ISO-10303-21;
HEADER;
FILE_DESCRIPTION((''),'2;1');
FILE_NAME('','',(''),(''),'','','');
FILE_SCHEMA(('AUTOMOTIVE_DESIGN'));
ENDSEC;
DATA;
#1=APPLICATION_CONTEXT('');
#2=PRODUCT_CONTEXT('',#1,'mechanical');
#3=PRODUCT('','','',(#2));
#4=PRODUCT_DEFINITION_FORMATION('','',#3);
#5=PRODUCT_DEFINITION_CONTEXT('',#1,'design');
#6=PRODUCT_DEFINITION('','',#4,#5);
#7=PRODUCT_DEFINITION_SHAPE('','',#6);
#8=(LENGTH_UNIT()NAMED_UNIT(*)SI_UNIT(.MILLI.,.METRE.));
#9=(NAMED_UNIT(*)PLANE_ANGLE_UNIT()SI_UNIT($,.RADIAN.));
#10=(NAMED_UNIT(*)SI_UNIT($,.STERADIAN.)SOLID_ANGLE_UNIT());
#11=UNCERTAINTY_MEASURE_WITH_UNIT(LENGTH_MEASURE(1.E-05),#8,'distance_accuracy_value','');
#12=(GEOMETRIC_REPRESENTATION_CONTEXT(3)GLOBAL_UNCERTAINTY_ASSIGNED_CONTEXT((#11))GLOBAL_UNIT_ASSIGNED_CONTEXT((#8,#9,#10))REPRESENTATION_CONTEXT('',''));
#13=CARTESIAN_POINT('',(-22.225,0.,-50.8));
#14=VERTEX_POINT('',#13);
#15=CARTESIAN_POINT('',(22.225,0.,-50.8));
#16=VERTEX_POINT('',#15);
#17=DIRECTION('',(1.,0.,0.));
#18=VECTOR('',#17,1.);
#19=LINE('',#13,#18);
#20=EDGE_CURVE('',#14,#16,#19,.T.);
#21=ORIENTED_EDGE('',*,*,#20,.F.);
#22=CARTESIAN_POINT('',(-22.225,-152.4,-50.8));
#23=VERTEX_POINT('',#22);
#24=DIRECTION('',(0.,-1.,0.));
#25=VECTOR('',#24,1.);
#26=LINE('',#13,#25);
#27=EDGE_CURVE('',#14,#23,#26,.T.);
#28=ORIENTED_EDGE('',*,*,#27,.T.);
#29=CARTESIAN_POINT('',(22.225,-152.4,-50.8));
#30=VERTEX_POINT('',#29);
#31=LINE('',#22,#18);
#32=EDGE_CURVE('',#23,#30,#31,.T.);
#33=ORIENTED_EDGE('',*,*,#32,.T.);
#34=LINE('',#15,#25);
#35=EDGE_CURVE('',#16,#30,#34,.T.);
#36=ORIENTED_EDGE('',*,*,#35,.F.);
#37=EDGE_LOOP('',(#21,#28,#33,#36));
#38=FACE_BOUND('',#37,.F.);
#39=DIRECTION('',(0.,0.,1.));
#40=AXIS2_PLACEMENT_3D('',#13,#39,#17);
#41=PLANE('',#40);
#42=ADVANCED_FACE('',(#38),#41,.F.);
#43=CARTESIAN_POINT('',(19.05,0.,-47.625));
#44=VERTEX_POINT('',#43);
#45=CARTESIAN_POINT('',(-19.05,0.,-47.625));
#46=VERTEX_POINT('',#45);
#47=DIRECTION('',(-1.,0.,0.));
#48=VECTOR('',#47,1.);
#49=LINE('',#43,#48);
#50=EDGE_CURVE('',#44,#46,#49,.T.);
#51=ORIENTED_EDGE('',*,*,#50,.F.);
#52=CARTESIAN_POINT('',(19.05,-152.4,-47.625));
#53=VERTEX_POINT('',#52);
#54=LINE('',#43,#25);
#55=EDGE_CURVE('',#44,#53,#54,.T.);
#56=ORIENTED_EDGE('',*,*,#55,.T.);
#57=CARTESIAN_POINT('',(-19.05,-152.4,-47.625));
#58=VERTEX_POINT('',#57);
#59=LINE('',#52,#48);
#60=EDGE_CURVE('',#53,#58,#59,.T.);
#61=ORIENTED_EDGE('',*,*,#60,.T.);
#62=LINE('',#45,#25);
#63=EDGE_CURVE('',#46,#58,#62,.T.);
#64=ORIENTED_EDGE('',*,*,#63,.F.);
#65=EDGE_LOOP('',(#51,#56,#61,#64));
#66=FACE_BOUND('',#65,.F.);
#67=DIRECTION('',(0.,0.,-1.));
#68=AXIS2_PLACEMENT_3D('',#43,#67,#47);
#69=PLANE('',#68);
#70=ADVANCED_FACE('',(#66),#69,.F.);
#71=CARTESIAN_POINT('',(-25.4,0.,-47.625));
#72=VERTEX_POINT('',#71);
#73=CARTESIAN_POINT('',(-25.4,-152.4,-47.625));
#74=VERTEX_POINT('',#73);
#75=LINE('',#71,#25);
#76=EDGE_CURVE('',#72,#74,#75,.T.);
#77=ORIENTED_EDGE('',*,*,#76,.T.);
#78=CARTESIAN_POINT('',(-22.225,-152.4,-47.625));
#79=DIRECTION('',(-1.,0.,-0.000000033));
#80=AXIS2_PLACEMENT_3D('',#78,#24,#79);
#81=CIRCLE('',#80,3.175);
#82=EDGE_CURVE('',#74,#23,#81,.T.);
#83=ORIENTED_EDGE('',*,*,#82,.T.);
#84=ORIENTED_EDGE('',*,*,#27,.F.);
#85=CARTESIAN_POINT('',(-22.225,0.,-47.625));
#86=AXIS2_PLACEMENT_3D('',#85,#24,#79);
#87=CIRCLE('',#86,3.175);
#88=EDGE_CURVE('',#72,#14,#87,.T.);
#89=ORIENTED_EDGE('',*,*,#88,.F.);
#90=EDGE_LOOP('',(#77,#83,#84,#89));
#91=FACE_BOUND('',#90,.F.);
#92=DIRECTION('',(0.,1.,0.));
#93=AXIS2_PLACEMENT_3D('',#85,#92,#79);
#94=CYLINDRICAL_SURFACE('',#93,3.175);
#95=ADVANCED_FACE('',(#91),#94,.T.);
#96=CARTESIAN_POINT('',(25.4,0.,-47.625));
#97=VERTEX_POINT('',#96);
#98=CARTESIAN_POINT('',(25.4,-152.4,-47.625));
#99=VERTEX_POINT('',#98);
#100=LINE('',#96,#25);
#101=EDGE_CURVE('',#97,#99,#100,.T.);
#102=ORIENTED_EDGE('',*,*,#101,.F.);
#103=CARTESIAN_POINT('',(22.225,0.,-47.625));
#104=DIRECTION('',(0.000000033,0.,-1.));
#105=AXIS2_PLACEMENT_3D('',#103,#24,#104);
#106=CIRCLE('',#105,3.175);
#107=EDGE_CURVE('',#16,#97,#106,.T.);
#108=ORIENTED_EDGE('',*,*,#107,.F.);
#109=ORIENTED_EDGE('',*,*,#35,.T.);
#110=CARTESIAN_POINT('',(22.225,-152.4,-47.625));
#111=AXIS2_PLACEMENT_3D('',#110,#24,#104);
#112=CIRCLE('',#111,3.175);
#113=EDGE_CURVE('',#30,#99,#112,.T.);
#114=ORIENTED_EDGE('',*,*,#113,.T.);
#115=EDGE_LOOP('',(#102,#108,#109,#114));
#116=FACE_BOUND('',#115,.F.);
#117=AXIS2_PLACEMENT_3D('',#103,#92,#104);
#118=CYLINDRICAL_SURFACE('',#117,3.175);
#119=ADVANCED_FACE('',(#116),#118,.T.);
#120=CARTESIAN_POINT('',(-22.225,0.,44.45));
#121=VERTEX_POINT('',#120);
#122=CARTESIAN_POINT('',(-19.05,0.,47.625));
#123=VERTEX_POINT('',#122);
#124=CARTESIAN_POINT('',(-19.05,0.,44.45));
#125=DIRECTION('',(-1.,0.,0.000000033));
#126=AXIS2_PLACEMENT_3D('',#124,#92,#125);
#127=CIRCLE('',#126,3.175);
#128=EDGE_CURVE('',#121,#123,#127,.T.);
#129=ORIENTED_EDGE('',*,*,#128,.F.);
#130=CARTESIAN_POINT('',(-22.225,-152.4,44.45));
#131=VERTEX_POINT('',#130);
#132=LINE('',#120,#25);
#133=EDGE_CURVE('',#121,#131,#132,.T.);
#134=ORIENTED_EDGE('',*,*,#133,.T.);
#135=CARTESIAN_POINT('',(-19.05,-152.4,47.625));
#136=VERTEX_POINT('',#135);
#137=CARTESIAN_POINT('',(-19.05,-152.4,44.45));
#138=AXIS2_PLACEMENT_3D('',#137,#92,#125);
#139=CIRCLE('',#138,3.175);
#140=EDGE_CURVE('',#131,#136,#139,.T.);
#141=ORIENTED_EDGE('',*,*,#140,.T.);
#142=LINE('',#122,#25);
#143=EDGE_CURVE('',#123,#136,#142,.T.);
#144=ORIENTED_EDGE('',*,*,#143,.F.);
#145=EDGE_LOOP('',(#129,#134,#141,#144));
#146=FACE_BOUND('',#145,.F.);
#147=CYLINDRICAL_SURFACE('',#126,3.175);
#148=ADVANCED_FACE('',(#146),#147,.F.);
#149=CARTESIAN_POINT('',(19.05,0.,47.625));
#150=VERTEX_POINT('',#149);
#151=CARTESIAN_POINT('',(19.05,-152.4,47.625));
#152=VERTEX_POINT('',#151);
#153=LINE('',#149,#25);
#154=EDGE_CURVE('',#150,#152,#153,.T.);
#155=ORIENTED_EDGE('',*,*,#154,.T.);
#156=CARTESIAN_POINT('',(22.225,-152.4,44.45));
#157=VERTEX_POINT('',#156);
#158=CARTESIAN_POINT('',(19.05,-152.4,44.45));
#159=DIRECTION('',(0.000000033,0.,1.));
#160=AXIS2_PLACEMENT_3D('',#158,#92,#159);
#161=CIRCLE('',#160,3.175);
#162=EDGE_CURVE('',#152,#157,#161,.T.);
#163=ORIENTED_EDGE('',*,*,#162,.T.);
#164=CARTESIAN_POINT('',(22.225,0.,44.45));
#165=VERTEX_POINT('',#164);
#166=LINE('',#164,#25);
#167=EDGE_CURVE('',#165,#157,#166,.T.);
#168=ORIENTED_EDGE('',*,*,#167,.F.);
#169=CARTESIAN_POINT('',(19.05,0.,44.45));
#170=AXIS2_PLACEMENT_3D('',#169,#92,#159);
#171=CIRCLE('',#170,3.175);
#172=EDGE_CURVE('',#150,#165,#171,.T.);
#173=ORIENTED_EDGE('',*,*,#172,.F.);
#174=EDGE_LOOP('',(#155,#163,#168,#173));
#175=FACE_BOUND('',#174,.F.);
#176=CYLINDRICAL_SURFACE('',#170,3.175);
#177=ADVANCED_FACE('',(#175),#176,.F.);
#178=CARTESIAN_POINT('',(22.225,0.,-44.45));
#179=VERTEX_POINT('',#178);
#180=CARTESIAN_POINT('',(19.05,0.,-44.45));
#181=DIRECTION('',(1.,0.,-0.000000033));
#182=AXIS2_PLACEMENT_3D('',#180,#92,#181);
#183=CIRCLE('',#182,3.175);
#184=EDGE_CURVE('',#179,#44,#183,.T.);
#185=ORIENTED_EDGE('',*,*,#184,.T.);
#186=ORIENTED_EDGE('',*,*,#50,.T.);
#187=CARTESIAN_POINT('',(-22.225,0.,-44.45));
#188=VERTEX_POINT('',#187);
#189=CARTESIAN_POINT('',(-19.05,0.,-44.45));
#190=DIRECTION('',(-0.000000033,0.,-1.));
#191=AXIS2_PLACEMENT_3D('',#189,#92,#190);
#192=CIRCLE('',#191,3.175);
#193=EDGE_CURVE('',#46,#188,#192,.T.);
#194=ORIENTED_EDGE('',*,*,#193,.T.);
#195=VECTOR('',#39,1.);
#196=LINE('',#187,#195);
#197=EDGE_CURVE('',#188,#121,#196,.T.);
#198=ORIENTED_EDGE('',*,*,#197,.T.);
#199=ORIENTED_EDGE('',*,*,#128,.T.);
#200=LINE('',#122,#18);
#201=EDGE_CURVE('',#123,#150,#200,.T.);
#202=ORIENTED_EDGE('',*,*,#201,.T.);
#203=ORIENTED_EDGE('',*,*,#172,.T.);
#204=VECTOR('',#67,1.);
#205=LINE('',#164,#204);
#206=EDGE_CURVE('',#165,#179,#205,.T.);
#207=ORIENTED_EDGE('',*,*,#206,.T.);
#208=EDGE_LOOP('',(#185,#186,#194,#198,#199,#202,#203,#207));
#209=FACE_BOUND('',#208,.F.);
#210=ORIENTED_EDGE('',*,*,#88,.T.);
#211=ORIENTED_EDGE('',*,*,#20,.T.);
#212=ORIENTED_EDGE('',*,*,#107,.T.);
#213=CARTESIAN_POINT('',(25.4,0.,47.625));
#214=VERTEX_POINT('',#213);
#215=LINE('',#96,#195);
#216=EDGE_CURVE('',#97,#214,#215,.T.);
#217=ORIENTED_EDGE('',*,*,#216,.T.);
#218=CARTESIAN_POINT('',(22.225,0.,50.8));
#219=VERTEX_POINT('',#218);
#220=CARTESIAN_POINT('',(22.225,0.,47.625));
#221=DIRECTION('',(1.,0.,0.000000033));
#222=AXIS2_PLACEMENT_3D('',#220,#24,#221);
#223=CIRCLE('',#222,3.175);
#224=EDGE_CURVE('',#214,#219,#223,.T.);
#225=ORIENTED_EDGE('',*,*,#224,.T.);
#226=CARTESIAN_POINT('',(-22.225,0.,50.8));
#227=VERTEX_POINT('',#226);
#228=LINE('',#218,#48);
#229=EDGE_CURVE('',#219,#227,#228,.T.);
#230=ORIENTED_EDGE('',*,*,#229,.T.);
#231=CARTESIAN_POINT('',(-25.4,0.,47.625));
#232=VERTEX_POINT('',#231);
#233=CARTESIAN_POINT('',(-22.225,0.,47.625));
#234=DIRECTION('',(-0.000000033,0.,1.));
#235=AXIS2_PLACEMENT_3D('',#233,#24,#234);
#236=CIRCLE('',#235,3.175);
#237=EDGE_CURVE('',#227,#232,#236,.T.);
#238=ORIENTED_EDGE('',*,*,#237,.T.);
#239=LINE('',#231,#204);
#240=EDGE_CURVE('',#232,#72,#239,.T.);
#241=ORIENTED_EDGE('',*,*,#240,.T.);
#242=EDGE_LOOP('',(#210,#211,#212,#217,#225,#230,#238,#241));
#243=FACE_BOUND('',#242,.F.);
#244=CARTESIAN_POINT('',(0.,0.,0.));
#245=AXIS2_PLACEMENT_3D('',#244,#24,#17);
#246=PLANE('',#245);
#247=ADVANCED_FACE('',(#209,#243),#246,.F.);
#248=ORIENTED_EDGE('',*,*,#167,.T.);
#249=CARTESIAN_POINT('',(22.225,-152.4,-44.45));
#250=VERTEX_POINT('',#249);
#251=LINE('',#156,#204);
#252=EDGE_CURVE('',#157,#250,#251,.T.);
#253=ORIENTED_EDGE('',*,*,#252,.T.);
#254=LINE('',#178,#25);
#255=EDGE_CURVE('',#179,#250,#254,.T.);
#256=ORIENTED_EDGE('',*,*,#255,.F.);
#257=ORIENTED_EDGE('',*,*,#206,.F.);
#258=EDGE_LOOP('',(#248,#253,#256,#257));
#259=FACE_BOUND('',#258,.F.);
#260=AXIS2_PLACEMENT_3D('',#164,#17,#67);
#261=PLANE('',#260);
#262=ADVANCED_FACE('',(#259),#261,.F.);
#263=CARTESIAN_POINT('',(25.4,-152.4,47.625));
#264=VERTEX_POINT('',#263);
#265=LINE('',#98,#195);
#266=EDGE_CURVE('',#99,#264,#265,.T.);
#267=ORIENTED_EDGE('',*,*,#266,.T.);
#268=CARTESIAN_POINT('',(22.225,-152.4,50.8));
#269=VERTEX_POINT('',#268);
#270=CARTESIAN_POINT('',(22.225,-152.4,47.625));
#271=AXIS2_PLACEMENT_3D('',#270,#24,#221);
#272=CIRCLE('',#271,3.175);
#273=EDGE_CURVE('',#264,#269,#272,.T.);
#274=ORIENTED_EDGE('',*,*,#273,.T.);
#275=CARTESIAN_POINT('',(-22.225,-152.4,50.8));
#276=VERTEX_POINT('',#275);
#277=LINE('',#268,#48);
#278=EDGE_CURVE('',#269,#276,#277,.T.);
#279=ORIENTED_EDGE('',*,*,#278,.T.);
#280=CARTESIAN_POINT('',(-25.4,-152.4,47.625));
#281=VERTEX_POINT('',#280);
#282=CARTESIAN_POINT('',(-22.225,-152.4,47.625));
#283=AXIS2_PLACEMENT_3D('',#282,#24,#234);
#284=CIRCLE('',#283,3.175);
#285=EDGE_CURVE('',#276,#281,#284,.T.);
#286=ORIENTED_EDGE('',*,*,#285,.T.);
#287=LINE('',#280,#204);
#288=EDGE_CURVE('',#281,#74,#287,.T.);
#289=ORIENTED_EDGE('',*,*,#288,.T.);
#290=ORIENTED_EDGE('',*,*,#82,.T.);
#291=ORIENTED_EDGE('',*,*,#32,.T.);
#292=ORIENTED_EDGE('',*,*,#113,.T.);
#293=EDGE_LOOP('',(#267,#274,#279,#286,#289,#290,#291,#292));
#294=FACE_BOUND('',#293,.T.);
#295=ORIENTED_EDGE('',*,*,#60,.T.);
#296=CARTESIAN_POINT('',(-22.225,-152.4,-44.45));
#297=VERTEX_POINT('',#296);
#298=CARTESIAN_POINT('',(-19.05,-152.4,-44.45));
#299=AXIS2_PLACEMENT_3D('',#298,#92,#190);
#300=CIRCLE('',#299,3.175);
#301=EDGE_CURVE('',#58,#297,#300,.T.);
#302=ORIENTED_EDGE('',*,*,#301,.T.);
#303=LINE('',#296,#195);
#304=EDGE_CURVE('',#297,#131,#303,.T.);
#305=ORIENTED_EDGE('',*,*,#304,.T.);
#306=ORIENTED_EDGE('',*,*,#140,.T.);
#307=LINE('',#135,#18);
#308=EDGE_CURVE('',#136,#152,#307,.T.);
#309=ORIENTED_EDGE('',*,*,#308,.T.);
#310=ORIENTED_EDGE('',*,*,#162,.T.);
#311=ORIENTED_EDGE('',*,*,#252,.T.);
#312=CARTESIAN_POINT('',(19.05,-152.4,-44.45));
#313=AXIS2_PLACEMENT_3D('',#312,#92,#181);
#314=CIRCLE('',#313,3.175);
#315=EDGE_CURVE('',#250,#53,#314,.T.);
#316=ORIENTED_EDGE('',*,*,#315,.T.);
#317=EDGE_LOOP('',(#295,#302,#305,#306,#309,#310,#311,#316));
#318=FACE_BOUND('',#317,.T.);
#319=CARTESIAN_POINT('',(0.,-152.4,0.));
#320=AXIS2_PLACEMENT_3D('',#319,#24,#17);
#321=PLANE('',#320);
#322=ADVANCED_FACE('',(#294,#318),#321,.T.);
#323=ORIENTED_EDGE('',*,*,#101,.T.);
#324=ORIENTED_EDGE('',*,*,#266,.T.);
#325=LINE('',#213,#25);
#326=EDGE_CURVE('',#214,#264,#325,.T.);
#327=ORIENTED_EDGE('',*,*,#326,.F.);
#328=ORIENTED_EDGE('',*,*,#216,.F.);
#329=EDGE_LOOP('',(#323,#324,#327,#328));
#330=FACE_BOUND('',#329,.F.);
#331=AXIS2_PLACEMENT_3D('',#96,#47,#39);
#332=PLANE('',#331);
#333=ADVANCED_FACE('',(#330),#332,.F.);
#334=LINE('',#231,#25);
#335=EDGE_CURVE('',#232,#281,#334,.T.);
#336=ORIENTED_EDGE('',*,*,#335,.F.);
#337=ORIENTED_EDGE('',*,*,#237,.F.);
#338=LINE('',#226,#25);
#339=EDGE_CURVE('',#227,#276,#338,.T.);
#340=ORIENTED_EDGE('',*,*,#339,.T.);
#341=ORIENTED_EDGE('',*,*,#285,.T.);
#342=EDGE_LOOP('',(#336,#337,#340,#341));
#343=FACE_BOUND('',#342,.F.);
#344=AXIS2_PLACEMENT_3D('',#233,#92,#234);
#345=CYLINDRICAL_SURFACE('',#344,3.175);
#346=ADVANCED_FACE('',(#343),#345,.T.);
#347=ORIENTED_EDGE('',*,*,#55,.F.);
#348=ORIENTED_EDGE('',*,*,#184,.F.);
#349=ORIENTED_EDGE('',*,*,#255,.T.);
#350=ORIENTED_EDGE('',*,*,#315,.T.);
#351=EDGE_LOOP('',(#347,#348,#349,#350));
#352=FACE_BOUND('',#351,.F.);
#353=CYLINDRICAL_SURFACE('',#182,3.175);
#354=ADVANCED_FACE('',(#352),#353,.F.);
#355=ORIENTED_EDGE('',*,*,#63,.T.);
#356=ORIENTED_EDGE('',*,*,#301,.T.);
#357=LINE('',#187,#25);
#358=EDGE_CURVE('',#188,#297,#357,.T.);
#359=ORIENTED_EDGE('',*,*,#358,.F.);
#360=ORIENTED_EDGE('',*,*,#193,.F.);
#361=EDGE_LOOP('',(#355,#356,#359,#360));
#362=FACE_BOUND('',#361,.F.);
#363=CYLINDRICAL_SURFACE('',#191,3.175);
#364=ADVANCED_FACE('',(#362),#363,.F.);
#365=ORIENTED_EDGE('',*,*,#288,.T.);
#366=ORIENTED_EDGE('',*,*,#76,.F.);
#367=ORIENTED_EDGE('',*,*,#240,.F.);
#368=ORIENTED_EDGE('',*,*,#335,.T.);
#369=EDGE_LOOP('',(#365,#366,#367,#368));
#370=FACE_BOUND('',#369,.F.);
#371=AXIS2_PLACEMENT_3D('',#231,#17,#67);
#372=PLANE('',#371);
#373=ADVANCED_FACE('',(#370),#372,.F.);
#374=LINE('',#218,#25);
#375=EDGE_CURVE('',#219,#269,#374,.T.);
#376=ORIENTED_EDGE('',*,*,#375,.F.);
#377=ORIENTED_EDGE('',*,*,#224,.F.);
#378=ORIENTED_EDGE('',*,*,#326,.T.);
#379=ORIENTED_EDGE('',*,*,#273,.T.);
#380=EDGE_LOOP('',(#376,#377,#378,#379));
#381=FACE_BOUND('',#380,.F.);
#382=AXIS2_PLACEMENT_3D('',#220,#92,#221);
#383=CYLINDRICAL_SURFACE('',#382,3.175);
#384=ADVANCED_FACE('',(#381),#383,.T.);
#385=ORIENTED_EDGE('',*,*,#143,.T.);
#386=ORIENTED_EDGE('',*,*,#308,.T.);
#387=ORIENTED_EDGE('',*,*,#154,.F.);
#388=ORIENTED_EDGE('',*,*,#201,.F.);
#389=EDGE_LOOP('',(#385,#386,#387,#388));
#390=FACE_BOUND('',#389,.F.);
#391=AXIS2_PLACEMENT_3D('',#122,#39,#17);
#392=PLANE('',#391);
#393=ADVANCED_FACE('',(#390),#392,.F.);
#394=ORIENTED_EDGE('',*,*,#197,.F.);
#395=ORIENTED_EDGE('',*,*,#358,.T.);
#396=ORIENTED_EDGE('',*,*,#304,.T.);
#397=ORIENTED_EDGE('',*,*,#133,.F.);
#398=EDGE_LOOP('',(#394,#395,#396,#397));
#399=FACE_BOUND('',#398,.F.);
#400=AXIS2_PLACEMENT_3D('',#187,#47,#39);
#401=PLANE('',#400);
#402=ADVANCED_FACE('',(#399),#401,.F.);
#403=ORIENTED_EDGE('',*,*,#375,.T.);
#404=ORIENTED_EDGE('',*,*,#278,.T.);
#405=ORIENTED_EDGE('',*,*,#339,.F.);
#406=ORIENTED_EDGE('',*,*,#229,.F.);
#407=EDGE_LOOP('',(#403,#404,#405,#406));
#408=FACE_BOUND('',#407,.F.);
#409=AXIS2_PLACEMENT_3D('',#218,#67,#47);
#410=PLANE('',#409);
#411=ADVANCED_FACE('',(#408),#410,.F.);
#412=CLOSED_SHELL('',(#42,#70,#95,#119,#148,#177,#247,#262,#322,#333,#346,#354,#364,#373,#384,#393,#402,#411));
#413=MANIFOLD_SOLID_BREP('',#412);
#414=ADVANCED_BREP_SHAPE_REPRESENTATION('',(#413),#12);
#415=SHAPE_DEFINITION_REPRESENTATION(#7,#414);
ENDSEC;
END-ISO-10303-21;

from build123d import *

# Parameters (mm, degrees)
F1_DEPTH = 152.4


with BuildPart() as f1:
    # F0 (on Front) → F1 (new body)
    with BuildSketch(Plane.XZ):
        with BuildLine():
            ThreePointArc((25.4, 47.625), (24.470064, 49.870064), (22.225, 50.8))
            Line((22.225, 50.8), (-22.225, 50.8))
            ThreePointArc((-22.225, 50.8), (-24.470064, 49.870064), (-25.4, 47.625))
            Line((-25.4, 47.625), (-25.4, -47.625))
            ThreePointArc((-25.4, -47.625), (-24.470064, -49.870064), (-22.225, -50.8))
            Line((-22.225, -50.8), (22.225, -50.8))
            ThreePointArc((22.225, -50.8), (24.470064, -49.870064), (25.4, -47.625))
            Line((25.4, -47.625), (25.4, 47.625))
        make_face()
        with BuildLine():
            Line((-19.05, 47.625), (19.05, 47.625))
            ThreePointArc((19.05, 47.625), (21.295064, 46.695064), (22.225, 44.45))
            Line((22.225, 44.45), (22.225, -44.45))
            ThreePointArc((22.225, -44.45), (21.295064, -46.695064), (19.05, -47.625))
            Line((19.05, -47.625), (-19.05, -47.625))
            ThreePointArc((-19.05, -47.625), (-21.295064, -46.695064), (-22.225, -44.45))
            Line((-22.225, -44.45), (-22.225, 44.45))
            ThreePointArc((-22.225, 44.45), (-21.295064, 46.695064), (-19.05, 47.625))
        make_face(mode=Mode.SUBTRACT)
    extrude(amount=F1_DEPTH)


solid = f1.part
